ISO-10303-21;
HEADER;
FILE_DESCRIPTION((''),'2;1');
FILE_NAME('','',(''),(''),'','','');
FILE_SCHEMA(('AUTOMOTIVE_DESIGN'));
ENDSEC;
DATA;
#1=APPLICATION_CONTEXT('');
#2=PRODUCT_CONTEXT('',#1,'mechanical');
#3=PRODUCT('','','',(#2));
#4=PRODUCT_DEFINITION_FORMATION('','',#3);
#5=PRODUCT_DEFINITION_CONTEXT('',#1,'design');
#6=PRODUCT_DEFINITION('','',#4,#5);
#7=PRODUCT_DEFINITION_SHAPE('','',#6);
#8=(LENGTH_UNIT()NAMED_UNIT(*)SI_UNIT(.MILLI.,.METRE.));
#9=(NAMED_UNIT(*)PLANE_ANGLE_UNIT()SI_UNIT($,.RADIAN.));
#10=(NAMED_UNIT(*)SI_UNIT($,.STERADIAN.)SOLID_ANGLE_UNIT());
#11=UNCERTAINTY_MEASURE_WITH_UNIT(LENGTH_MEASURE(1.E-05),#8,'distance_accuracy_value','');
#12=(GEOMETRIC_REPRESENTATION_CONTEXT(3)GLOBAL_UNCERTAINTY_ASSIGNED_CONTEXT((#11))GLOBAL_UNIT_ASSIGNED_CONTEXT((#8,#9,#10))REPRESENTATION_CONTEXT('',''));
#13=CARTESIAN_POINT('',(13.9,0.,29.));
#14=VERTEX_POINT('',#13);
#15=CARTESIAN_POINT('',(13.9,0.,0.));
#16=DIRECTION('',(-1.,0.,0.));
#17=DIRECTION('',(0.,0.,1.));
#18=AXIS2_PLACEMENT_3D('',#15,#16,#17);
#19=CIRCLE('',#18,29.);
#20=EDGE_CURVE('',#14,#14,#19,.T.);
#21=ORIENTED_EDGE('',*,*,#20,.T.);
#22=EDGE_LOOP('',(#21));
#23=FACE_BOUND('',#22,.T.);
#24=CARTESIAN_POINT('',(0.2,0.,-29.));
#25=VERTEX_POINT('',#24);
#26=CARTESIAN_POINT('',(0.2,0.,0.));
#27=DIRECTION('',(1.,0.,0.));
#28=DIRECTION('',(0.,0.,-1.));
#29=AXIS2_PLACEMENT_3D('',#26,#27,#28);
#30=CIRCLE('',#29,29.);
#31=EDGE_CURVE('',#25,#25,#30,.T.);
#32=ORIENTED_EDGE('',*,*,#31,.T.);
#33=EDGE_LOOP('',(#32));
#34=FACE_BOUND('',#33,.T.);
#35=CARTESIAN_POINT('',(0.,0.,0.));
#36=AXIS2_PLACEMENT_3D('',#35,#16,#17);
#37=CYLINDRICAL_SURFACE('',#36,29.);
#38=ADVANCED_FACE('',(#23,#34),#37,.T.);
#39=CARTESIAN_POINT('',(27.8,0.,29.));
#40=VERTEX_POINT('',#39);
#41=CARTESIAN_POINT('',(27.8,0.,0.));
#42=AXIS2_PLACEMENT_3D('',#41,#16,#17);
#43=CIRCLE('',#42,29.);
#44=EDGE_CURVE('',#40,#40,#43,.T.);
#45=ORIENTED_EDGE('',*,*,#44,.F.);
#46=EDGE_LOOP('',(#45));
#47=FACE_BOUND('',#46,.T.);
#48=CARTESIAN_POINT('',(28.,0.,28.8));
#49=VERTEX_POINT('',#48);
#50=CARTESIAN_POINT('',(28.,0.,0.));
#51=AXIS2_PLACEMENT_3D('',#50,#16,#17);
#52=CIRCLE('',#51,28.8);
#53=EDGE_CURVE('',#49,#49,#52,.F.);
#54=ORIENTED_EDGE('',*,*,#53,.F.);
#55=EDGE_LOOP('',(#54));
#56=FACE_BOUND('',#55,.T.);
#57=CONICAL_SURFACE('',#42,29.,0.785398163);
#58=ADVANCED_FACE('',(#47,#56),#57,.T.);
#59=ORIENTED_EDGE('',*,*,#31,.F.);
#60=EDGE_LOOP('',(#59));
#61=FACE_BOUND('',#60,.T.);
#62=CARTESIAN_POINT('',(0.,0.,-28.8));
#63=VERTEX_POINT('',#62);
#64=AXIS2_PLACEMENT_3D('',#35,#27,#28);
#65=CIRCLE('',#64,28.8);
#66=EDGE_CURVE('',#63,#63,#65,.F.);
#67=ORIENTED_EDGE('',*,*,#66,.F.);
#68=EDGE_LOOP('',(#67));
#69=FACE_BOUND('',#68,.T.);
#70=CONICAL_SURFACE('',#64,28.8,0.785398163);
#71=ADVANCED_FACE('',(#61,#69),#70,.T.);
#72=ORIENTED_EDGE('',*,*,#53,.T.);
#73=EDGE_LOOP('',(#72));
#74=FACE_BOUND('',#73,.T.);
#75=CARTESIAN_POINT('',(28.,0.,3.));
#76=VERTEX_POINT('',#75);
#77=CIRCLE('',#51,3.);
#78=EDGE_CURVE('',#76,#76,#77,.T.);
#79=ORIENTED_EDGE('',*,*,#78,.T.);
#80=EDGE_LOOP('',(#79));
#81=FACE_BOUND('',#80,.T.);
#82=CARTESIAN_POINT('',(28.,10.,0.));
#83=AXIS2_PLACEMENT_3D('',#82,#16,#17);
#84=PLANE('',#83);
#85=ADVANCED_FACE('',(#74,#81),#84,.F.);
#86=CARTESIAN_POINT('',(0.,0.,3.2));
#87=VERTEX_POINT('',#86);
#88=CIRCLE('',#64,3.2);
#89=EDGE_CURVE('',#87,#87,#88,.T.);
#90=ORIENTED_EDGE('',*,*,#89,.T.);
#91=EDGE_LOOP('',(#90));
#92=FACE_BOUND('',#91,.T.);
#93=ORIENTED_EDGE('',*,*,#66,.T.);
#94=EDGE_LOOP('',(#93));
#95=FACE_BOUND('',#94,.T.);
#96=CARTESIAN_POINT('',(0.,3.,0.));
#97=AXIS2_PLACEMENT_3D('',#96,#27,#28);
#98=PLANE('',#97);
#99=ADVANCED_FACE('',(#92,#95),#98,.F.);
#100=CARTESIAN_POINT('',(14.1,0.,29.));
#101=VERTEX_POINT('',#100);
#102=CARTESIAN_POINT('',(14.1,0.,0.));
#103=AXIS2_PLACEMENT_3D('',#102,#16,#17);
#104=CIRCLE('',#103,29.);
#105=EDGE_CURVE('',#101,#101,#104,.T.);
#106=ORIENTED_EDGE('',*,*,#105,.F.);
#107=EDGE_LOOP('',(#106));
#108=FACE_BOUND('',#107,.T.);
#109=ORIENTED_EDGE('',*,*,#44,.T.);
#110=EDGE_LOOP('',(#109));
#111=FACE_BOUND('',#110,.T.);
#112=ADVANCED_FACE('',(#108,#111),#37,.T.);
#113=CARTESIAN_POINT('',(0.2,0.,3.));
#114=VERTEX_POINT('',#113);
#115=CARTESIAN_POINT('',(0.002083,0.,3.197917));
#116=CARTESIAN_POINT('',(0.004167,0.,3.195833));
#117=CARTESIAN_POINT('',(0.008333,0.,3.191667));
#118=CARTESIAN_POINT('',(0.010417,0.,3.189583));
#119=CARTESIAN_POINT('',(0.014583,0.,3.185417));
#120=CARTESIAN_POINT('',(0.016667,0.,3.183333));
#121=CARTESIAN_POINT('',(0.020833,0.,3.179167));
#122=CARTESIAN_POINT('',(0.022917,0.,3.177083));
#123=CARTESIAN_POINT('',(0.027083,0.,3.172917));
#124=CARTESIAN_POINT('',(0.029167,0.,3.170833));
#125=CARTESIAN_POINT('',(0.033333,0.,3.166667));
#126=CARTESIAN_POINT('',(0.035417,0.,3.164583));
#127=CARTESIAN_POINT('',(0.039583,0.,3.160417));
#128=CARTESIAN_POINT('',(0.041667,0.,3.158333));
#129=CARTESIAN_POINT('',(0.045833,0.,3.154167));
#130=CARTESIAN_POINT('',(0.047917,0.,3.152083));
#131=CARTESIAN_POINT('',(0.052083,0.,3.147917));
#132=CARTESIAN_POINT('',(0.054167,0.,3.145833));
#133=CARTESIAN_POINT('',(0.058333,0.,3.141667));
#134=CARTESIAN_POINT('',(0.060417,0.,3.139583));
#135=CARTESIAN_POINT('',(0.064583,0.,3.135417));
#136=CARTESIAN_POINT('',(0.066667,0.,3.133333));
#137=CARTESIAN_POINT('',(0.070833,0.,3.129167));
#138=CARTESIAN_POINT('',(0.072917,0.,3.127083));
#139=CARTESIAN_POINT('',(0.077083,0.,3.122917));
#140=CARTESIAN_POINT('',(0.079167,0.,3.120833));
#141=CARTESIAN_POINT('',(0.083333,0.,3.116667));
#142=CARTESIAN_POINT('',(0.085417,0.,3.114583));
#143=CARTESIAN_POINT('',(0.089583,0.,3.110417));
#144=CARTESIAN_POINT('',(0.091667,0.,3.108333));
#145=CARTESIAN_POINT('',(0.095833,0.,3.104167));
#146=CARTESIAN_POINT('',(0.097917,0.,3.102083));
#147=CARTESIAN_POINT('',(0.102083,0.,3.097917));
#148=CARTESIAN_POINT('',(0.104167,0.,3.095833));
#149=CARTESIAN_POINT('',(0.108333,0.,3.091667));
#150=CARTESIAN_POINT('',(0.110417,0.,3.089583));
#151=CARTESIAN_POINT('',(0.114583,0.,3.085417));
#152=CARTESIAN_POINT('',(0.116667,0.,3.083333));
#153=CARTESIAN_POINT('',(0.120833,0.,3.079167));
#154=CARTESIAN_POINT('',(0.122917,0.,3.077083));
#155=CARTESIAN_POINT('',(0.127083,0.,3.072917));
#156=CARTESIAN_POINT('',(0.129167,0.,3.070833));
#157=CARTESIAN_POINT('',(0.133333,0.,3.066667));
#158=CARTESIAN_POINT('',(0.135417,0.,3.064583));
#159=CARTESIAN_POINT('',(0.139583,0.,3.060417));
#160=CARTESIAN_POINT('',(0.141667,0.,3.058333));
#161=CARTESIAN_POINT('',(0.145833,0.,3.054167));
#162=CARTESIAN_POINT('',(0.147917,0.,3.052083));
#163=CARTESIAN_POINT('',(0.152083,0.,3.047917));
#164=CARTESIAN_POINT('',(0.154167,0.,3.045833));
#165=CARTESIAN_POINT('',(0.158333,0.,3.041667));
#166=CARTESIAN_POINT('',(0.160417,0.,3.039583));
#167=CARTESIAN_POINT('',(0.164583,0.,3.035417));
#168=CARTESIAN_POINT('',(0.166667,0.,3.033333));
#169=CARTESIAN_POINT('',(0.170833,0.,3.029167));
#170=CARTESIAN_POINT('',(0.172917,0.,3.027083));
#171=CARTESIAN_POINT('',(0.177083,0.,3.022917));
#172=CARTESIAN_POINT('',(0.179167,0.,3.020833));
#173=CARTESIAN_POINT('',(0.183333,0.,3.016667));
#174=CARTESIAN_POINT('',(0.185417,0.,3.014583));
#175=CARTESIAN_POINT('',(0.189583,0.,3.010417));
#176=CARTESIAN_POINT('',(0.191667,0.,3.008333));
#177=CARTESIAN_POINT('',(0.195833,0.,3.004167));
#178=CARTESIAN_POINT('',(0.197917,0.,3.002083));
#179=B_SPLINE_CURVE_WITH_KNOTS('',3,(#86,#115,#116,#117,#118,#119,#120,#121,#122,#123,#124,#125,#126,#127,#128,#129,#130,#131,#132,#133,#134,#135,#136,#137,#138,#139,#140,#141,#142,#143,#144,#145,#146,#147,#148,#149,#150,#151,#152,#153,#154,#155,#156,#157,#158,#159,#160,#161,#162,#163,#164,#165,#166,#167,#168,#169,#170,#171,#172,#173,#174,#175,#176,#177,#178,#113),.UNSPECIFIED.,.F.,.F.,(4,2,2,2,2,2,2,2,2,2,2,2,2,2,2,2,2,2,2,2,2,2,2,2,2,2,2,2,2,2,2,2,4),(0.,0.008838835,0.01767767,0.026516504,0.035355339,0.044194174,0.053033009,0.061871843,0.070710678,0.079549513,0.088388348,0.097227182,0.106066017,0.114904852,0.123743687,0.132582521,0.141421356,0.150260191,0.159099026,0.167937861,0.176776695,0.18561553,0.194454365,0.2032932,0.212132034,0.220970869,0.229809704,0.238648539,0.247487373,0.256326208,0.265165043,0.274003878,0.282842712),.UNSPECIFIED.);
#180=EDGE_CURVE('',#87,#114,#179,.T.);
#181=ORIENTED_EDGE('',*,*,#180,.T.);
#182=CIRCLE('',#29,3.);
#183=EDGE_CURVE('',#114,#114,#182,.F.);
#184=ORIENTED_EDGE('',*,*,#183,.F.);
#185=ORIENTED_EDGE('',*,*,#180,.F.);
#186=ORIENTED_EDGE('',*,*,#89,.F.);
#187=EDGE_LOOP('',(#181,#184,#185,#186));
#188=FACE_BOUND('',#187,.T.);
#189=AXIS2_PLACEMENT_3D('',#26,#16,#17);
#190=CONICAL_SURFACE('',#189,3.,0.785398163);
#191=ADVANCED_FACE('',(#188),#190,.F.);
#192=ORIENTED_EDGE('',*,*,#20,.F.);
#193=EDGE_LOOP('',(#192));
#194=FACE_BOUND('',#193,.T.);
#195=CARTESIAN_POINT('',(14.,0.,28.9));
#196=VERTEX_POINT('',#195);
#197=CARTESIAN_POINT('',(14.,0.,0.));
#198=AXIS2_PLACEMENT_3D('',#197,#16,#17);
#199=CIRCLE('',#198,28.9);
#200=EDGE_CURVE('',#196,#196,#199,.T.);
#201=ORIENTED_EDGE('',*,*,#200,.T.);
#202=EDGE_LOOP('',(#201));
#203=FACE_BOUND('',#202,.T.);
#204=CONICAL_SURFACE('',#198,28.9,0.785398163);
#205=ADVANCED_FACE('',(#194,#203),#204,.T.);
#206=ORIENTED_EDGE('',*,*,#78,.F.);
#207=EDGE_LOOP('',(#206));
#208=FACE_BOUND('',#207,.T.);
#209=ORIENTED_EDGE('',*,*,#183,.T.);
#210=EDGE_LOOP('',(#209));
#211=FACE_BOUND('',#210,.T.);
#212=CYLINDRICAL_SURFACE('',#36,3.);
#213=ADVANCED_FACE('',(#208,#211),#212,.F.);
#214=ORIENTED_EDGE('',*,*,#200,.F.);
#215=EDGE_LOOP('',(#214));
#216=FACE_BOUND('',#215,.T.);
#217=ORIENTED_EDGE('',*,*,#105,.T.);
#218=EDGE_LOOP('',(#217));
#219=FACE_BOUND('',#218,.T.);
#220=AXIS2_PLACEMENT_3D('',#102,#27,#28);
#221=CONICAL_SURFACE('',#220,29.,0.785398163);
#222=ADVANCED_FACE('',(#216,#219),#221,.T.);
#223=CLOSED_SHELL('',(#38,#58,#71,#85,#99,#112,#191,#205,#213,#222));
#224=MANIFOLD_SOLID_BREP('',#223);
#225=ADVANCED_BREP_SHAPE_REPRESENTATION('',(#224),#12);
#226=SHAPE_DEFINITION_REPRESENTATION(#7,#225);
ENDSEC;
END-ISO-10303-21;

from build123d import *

# Parameters (mm, degrees)
CHAMFER_1_SIZE = 0.2


with BuildPart() as part:
    # 草图1 → 旋转1 (revolve)
    with BuildSketch(Plane.XY, mode=Mode.PRIVATE) as revolve_1_sk:
        Polygon((0, 3), (0, 29), (13.9, 29), (14, 28.9), (14.1, 29), (28, 29), (28, 13), (28, 10), (28, 3), align=None)
    revolve(revolve_1_sk.sketch.rotate(Axis((0, 0, 0), (1, 0, 0)), 90), axis=Axis((0, 0, 0), (1, 0, 0)))

    # 倒角1
    chamfer_1_edges = [part.edges().sort_by_distance(p)[0] for p in [
        (0, 0, -3),
        (28, 0, -29),
        (0, 0, -29),
    ]]
    chamfer(chamfer_1_edges, length=CHAMFER_1_SIZE)


solid = part.part
